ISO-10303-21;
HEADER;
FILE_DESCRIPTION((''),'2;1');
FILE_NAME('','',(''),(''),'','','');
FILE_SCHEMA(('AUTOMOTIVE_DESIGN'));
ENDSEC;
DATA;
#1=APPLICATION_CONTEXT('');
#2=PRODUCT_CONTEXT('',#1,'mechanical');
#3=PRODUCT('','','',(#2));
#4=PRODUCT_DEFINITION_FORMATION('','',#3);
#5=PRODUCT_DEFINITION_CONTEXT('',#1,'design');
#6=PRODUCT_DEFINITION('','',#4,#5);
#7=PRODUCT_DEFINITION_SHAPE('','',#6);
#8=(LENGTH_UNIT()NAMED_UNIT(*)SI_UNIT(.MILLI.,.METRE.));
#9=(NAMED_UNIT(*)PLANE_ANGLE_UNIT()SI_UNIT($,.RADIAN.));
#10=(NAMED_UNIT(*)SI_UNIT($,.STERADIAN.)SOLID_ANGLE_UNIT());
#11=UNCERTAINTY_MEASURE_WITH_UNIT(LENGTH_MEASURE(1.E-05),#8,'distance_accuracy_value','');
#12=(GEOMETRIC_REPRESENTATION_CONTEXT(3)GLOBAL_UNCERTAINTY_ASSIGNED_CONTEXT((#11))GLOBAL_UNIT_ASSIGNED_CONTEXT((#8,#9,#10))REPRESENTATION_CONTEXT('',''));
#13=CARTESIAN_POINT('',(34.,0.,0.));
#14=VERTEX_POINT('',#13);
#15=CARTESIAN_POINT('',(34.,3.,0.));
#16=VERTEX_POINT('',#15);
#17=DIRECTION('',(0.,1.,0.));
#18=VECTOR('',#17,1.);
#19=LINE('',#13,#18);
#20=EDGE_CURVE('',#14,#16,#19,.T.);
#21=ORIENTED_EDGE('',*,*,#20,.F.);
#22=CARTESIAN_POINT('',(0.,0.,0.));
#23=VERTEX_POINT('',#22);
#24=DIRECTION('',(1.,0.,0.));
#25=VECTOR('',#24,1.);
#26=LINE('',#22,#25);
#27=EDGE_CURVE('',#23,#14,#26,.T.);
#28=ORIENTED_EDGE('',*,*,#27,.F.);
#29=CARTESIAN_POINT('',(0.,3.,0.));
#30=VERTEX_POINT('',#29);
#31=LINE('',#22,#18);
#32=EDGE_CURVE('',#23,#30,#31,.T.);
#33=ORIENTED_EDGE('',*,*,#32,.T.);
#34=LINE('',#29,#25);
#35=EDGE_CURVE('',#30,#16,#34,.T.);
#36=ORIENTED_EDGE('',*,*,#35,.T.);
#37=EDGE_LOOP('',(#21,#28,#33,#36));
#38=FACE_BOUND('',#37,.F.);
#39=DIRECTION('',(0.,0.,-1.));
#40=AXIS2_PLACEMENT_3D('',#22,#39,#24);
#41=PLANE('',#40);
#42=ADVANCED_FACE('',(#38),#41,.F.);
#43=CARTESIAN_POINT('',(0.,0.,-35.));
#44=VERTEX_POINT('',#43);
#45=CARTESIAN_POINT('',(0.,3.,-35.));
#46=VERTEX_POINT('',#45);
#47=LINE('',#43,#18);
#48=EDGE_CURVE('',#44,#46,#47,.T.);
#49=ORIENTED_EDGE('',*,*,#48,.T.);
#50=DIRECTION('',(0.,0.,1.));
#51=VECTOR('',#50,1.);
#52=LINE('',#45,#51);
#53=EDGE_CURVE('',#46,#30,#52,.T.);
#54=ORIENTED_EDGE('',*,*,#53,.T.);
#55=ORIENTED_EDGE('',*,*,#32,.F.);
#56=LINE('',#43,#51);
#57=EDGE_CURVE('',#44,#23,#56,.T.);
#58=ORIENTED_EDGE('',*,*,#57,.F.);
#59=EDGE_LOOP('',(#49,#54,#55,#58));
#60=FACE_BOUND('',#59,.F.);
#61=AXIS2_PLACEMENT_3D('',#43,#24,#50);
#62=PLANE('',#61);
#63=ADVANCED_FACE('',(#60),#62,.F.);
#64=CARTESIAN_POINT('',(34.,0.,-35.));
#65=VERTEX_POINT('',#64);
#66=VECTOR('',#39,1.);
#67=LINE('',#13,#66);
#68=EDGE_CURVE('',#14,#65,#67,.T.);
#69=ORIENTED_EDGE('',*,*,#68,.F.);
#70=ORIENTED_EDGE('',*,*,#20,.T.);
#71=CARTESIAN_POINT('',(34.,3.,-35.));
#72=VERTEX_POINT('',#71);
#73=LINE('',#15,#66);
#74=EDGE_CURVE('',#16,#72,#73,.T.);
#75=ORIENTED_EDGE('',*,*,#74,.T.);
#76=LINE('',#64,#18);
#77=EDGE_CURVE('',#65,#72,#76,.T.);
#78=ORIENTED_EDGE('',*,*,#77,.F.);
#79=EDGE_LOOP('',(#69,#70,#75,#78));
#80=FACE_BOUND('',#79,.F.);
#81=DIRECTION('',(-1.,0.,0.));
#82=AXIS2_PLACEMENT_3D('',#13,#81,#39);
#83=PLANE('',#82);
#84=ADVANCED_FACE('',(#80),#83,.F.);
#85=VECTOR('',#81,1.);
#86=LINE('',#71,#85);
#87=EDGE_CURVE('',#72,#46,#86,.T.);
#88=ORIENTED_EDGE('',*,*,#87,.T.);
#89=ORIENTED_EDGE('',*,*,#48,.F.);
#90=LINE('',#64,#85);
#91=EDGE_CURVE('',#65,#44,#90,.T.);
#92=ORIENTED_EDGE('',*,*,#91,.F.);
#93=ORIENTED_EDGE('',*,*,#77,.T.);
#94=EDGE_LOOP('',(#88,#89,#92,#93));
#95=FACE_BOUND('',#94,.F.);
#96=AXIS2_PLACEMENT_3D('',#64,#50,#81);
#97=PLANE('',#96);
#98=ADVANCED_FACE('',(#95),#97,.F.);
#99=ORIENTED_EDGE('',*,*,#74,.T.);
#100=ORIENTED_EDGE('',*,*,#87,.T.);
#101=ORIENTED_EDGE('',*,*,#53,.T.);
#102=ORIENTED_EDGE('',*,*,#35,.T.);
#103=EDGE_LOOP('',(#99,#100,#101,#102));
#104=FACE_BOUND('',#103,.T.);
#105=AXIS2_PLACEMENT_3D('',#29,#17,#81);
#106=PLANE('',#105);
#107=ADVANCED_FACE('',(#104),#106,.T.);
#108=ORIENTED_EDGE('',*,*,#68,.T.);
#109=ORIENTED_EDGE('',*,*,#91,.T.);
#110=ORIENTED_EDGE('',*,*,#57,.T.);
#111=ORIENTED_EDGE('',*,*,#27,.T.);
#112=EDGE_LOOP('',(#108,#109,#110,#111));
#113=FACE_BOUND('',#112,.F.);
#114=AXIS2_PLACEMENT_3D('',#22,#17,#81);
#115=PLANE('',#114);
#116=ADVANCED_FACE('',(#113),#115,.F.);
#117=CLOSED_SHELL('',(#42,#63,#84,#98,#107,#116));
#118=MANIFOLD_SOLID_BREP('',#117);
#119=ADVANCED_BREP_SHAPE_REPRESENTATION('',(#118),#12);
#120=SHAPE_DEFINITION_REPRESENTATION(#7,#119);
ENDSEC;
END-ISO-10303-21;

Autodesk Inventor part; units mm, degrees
ref_plane "YZ Plane" through (0, 0, 0) normal (1, 0, 0) x (0, 1, 0)
ref_plane "XZ Plane" through (0, 0, 0) normal (0, 1, 0) x (-1, 0, 0)
ref_plane "XY Plane" through (0, 0, 0) normal (0, 0, 1) x (1, 0, 0)
sketch "Skizze1" plane through (0, 0, 0) normal (0, 0, 1) x (1, 0, 0)
  line L0 (0, 0) -> (34, 0)
  line L1 (34, 0) -> (34, 35)
  line L2 (34, 35) -> (0, 35)
  line L3 (0, 35) -> (0, 0)
  dimension "d0" = 35
  dimension "d1" = 34
extrude "Extrusion1" [suppressed]
sketch "Skizze2" plane through (0, 0, 0) normal (0, 1, 0) x (-1, 0, 0)
  line L0 (0, 0) -> (-34, 0)
  line L1 (-34, 0) -> (-34, -35)
  line L2 (-34, -35) -> (0, -35)
  line L3 (0, -35) -> (0, 0)
  dimension "d4" = 35
  dimension "d5" = 34
extrude "Extrusion2" add sketch "Skizze2" along normal blind 3
properties part number "wood_small_small"
